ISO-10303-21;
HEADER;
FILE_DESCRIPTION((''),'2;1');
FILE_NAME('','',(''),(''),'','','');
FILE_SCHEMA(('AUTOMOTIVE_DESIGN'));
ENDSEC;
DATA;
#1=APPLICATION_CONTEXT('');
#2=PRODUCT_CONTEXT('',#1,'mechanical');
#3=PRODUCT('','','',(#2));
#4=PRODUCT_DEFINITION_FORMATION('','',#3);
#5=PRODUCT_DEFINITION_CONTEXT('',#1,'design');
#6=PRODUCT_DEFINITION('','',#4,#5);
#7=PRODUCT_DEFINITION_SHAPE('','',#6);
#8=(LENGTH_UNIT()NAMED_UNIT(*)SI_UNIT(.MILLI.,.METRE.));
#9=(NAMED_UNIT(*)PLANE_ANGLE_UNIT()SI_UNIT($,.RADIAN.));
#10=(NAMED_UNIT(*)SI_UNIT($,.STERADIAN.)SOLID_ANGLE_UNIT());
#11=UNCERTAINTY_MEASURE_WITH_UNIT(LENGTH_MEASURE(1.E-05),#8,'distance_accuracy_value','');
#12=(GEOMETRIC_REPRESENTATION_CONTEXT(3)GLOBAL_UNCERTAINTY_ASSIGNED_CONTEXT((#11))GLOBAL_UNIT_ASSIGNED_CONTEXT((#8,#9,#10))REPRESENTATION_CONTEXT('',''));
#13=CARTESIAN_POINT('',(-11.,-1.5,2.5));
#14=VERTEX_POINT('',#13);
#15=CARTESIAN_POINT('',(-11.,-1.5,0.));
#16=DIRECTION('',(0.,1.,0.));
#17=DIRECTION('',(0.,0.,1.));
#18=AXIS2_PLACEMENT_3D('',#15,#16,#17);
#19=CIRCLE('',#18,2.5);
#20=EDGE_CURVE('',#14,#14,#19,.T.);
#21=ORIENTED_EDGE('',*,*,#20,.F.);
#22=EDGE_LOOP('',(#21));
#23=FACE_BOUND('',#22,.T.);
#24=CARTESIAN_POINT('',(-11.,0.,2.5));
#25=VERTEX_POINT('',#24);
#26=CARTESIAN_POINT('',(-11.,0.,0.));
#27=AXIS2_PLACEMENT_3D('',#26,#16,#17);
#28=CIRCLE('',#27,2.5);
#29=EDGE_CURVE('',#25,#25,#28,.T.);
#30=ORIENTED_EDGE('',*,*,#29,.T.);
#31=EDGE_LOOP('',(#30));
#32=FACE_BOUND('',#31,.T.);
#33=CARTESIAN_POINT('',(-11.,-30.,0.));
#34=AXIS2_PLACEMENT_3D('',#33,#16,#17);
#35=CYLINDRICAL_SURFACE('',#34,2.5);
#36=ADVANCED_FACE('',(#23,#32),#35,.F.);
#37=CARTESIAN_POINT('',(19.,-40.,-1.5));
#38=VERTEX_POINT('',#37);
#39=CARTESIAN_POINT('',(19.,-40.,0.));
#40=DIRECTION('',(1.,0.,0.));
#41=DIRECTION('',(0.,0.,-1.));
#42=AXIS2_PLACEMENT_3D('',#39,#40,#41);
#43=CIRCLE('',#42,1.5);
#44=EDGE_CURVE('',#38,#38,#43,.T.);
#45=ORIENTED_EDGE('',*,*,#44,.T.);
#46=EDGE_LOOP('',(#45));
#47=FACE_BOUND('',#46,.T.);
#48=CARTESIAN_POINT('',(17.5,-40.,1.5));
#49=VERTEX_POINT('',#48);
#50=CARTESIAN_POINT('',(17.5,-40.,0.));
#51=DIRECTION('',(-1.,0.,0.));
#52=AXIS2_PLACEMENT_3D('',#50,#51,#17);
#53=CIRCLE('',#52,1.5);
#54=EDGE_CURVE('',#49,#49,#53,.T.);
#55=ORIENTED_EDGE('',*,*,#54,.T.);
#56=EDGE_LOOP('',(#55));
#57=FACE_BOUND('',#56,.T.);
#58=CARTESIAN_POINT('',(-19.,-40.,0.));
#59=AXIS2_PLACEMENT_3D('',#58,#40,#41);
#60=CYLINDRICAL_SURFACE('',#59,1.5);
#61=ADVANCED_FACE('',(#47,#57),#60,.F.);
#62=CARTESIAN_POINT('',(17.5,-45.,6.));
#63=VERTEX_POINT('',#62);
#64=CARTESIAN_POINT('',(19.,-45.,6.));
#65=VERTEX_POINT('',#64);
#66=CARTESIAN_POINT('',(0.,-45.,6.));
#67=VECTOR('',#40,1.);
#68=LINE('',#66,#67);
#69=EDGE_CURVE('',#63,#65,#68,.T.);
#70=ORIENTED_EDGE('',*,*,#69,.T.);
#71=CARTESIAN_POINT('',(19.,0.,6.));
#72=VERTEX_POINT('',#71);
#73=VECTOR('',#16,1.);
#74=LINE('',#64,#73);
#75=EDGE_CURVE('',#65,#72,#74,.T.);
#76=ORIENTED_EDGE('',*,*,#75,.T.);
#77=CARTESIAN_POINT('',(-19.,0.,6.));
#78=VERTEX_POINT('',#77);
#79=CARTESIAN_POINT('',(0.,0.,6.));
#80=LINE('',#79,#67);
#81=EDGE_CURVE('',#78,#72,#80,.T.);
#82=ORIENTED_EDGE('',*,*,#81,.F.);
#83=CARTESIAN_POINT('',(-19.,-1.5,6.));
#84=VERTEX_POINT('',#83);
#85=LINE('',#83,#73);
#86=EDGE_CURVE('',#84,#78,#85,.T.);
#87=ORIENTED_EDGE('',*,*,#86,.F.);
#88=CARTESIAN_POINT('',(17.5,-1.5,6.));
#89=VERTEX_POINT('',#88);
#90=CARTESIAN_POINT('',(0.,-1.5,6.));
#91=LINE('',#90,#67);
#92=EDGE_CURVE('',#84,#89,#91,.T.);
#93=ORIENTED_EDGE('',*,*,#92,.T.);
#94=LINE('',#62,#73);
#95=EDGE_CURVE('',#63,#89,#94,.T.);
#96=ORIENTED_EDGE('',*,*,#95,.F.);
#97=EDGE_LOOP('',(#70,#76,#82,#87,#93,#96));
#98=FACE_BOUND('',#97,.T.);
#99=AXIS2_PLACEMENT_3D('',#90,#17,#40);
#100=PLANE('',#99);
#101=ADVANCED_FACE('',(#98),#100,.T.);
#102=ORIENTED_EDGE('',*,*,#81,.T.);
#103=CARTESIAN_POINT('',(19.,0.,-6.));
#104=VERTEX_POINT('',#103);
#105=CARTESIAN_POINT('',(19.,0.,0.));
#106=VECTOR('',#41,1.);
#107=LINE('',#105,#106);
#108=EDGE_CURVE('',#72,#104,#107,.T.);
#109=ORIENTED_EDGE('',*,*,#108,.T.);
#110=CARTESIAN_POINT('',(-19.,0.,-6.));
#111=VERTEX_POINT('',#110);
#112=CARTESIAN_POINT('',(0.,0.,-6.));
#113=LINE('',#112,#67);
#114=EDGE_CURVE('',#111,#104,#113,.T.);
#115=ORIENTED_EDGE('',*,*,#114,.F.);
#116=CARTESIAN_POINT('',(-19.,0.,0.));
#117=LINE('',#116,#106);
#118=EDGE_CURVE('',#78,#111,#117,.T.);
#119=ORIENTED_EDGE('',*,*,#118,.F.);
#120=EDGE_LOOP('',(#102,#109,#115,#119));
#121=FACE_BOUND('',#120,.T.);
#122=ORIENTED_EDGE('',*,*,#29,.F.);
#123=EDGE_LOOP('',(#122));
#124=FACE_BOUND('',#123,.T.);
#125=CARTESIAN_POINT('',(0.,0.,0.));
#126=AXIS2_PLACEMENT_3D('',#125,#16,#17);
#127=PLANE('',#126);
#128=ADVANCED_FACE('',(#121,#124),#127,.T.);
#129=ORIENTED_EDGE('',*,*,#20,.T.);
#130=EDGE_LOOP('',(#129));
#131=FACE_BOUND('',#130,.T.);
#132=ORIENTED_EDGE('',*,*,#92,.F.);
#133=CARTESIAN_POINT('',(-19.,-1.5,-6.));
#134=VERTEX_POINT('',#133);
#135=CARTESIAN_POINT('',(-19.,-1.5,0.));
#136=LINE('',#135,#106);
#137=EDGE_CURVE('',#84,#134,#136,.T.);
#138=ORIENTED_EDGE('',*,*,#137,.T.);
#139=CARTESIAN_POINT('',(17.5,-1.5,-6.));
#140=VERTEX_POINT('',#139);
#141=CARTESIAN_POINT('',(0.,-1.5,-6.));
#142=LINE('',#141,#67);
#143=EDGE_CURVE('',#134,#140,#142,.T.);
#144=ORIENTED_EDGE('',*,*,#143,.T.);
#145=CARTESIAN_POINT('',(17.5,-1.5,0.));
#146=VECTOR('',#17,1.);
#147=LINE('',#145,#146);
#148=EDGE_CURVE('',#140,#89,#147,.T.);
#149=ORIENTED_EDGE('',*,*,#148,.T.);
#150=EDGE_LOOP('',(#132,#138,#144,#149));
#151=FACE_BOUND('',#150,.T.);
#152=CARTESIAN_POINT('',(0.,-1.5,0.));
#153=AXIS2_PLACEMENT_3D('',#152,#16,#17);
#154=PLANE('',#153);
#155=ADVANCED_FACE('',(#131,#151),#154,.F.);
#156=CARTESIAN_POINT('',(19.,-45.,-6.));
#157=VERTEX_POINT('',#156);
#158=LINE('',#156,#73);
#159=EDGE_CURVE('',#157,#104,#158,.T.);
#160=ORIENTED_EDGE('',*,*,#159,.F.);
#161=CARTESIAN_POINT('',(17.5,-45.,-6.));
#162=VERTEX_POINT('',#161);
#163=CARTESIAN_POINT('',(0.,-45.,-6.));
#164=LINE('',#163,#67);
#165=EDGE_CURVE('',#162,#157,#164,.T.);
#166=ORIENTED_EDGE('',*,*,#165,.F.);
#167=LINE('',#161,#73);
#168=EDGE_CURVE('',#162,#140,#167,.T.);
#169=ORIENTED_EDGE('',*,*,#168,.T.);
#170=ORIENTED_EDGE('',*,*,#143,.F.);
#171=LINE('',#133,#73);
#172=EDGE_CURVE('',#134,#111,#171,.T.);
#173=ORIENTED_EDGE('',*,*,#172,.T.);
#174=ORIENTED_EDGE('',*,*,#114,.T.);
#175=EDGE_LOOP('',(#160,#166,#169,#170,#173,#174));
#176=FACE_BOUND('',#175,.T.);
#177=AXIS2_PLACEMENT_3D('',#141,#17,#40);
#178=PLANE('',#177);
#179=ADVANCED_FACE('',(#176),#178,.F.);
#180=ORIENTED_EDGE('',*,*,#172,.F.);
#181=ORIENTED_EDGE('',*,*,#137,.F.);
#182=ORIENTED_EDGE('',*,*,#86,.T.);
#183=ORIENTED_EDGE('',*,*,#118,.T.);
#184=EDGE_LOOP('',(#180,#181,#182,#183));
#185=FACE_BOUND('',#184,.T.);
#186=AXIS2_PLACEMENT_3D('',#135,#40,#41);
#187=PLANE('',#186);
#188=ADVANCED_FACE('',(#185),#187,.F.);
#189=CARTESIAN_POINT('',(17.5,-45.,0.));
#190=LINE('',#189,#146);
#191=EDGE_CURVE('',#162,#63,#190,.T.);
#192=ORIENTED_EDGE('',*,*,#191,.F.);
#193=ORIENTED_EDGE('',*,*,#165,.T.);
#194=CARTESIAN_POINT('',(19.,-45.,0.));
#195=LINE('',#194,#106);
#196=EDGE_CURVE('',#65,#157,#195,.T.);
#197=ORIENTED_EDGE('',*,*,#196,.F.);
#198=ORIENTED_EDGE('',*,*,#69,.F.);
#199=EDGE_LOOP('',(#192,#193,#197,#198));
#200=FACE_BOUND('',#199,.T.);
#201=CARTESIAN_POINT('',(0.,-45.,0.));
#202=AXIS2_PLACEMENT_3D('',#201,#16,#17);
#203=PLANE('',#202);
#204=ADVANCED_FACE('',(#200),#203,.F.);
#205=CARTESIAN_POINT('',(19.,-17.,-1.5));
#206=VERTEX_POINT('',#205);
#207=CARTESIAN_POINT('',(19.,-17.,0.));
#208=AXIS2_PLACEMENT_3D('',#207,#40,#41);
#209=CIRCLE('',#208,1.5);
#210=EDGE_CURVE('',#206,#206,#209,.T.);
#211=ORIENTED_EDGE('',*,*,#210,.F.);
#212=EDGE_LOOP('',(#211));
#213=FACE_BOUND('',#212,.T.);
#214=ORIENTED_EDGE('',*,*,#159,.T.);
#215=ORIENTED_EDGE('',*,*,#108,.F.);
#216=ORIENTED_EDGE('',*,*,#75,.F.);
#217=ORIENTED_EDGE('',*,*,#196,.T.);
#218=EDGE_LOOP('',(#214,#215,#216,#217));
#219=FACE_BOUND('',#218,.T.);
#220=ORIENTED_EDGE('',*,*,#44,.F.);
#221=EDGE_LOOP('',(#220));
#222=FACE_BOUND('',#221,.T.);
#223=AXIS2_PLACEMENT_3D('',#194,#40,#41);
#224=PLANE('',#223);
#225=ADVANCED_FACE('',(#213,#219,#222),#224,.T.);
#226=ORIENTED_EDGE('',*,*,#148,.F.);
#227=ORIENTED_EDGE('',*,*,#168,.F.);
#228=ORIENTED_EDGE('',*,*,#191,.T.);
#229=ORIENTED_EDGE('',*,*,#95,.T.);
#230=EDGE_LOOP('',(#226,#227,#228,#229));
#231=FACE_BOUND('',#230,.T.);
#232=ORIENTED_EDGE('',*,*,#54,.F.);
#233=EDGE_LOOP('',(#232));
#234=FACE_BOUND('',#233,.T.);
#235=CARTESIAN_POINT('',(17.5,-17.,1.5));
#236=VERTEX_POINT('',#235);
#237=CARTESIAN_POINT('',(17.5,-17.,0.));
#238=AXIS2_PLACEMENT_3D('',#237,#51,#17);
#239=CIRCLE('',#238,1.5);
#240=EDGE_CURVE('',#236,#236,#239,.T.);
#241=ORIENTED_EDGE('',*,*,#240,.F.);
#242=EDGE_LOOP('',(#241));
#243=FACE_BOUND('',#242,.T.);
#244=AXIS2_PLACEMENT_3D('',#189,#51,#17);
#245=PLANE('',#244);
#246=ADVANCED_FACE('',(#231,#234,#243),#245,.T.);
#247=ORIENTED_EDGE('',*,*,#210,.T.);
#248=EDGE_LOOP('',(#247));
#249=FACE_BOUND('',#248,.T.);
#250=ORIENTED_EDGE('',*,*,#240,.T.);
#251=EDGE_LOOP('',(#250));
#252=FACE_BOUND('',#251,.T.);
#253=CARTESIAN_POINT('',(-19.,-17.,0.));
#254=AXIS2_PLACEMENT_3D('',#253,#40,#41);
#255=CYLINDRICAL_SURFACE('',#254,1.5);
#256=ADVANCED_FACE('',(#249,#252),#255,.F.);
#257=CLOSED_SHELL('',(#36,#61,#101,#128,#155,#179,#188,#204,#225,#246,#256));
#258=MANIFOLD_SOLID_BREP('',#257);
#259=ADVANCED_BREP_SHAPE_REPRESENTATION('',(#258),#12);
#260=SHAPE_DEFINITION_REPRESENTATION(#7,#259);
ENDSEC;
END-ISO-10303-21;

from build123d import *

# Parameters (mm, degrees)
SKETCH1_W           = 36.5
SKETCH1_H           = 12
BOSS_EXTRUDE1_DEPTH = 1.5
SKETCH1_3_W         = 1.5
SKETCH1_3_H         = 12
BOSS_EXTRUDE2_DEPTH = 45
SKETCH2_R           = 1.5
CUT_EXTRUDE1_DEPTH  = 60.203040462
SKETCH3_R           = 2.5
CUT_EXTRUDE2_DEPTH  = 30


with BuildPart() as part:
    # Sketch1 → Boss-Extrude1 (new body)
    with BuildSketch(Plane(origin=(0, 0, 0), x_dir=(1, 0, 0), z_dir=(0, 1, 0))):
        with Locations((-0.75, 0)):
            Rectangle(SKETCH1_W, SKETCH1_H)
    extrude(amount=-BOSS_EXTRUDE1_DEPTH)

    # Sketch1<3> → Boss-Extrude2 (add)
    with BuildSketch(Plane(origin=(0, 0, 0), x_dir=(1, 0, 0), z_dir=(0, 1, 0))):
        with Locations((18.25, 0)):
            Rectangle(SKETCH1_3_W, SKETCH1_3_H)
    extrude(amount=-BOSS_EXTRUDE2_DEPTH)

    # Sketch2 → Cut-Extrude1 (cut, through all)
    with BuildSketch(Plane(origin=(19, 0, 0), x_dir=(0, 0, -1), z_dir=(1, 0, 0))):
        with Locations((0, -40)):
            Circle(SKETCH2_R)
        with Locations((0, -17)):
            Circle(SKETCH2_R)
    extrude(amount=-CUT_EXTRUDE1_DEPTH, mode=Mode.SUBTRACT)

    # Sketch3 → Cut-Extrude2 (cut)
    with BuildSketch(Plane(origin=(0, 0, 0), x_dir=(1, 0, 0), z_dir=(0, 1, 0))):
        with Locations((-11, 0)):
            Circle(SKETCH3_R)
    extrude(amount=-CUT_EXTRUDE2_DEPTH, mode=Mode.SUBTRACT)


solid = part.part
